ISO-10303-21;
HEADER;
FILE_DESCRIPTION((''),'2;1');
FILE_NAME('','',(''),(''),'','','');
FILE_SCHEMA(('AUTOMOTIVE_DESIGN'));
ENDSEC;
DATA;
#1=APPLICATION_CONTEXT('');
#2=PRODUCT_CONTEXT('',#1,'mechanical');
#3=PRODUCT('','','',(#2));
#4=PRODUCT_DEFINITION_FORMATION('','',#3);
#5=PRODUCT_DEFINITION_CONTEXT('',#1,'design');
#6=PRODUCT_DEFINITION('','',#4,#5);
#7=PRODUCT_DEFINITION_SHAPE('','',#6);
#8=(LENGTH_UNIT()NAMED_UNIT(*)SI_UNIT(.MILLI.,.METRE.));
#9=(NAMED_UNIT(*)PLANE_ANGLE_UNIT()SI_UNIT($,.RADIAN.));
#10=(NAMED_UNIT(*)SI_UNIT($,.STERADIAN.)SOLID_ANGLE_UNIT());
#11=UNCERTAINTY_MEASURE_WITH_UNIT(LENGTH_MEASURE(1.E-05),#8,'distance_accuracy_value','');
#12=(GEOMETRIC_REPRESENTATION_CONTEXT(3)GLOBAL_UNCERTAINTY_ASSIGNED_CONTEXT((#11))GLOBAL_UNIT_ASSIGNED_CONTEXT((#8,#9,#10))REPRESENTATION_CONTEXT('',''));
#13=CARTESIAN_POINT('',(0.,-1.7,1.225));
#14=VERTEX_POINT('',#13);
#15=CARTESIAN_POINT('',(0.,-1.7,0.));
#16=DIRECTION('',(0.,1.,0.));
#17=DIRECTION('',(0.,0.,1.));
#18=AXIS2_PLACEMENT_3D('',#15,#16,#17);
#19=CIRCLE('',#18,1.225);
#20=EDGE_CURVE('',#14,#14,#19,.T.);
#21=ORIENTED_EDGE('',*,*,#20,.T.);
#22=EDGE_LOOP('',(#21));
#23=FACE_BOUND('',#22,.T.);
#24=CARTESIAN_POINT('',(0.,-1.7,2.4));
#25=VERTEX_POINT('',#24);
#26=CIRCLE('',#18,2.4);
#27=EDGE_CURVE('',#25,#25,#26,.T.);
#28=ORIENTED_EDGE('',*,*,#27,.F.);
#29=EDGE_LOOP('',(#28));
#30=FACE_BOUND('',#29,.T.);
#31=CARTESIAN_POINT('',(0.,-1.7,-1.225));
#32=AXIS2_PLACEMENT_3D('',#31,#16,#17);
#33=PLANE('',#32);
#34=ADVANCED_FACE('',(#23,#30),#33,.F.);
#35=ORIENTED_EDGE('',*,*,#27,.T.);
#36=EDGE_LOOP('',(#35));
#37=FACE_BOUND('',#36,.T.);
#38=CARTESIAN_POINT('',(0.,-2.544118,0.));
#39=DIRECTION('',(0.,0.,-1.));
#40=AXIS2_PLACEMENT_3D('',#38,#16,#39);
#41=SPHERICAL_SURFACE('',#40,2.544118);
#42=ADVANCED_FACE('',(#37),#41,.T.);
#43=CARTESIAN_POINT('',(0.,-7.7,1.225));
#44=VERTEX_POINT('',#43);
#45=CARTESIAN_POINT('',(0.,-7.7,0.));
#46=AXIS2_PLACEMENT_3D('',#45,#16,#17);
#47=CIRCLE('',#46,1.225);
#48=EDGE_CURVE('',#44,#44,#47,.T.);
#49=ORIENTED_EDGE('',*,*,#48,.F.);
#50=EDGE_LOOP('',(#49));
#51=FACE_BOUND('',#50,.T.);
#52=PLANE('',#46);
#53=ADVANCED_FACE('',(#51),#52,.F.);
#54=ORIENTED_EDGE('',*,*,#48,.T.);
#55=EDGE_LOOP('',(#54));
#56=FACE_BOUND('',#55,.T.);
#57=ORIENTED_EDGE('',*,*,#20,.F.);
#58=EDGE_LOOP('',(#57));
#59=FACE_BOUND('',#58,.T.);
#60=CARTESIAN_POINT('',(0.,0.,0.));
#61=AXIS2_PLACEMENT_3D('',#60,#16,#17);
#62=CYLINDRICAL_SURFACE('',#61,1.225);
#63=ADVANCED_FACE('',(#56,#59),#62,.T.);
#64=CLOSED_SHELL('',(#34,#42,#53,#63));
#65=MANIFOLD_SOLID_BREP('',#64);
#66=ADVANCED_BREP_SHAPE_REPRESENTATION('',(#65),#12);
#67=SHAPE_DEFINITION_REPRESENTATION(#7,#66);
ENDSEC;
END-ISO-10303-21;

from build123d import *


with BuildPart() as part:
    # Sketch1 → Revolve2 (revolve)
    with BuildSketch(Plane(origin=(0, 0, 0), x_dir=(0, 0, -1), z_dir=(1, 0, 0))):
        with BuildLine():
            Line((0, -7.7), (1.225, -7.7))
            Line((1.225, -7.7), (1.225, -1.7))
            Line((1.225, -1.7), (2.4, -1.7))
            ThreePointArc((2.4, -1.7), (1.470544117, -0.468055364), (0, 0))
            Line((0, 0), (0, -7.7))
        make_face()
    revolve(axis=Axis((0, 0, 0), (0, -1, 0)))


solid = part.part
